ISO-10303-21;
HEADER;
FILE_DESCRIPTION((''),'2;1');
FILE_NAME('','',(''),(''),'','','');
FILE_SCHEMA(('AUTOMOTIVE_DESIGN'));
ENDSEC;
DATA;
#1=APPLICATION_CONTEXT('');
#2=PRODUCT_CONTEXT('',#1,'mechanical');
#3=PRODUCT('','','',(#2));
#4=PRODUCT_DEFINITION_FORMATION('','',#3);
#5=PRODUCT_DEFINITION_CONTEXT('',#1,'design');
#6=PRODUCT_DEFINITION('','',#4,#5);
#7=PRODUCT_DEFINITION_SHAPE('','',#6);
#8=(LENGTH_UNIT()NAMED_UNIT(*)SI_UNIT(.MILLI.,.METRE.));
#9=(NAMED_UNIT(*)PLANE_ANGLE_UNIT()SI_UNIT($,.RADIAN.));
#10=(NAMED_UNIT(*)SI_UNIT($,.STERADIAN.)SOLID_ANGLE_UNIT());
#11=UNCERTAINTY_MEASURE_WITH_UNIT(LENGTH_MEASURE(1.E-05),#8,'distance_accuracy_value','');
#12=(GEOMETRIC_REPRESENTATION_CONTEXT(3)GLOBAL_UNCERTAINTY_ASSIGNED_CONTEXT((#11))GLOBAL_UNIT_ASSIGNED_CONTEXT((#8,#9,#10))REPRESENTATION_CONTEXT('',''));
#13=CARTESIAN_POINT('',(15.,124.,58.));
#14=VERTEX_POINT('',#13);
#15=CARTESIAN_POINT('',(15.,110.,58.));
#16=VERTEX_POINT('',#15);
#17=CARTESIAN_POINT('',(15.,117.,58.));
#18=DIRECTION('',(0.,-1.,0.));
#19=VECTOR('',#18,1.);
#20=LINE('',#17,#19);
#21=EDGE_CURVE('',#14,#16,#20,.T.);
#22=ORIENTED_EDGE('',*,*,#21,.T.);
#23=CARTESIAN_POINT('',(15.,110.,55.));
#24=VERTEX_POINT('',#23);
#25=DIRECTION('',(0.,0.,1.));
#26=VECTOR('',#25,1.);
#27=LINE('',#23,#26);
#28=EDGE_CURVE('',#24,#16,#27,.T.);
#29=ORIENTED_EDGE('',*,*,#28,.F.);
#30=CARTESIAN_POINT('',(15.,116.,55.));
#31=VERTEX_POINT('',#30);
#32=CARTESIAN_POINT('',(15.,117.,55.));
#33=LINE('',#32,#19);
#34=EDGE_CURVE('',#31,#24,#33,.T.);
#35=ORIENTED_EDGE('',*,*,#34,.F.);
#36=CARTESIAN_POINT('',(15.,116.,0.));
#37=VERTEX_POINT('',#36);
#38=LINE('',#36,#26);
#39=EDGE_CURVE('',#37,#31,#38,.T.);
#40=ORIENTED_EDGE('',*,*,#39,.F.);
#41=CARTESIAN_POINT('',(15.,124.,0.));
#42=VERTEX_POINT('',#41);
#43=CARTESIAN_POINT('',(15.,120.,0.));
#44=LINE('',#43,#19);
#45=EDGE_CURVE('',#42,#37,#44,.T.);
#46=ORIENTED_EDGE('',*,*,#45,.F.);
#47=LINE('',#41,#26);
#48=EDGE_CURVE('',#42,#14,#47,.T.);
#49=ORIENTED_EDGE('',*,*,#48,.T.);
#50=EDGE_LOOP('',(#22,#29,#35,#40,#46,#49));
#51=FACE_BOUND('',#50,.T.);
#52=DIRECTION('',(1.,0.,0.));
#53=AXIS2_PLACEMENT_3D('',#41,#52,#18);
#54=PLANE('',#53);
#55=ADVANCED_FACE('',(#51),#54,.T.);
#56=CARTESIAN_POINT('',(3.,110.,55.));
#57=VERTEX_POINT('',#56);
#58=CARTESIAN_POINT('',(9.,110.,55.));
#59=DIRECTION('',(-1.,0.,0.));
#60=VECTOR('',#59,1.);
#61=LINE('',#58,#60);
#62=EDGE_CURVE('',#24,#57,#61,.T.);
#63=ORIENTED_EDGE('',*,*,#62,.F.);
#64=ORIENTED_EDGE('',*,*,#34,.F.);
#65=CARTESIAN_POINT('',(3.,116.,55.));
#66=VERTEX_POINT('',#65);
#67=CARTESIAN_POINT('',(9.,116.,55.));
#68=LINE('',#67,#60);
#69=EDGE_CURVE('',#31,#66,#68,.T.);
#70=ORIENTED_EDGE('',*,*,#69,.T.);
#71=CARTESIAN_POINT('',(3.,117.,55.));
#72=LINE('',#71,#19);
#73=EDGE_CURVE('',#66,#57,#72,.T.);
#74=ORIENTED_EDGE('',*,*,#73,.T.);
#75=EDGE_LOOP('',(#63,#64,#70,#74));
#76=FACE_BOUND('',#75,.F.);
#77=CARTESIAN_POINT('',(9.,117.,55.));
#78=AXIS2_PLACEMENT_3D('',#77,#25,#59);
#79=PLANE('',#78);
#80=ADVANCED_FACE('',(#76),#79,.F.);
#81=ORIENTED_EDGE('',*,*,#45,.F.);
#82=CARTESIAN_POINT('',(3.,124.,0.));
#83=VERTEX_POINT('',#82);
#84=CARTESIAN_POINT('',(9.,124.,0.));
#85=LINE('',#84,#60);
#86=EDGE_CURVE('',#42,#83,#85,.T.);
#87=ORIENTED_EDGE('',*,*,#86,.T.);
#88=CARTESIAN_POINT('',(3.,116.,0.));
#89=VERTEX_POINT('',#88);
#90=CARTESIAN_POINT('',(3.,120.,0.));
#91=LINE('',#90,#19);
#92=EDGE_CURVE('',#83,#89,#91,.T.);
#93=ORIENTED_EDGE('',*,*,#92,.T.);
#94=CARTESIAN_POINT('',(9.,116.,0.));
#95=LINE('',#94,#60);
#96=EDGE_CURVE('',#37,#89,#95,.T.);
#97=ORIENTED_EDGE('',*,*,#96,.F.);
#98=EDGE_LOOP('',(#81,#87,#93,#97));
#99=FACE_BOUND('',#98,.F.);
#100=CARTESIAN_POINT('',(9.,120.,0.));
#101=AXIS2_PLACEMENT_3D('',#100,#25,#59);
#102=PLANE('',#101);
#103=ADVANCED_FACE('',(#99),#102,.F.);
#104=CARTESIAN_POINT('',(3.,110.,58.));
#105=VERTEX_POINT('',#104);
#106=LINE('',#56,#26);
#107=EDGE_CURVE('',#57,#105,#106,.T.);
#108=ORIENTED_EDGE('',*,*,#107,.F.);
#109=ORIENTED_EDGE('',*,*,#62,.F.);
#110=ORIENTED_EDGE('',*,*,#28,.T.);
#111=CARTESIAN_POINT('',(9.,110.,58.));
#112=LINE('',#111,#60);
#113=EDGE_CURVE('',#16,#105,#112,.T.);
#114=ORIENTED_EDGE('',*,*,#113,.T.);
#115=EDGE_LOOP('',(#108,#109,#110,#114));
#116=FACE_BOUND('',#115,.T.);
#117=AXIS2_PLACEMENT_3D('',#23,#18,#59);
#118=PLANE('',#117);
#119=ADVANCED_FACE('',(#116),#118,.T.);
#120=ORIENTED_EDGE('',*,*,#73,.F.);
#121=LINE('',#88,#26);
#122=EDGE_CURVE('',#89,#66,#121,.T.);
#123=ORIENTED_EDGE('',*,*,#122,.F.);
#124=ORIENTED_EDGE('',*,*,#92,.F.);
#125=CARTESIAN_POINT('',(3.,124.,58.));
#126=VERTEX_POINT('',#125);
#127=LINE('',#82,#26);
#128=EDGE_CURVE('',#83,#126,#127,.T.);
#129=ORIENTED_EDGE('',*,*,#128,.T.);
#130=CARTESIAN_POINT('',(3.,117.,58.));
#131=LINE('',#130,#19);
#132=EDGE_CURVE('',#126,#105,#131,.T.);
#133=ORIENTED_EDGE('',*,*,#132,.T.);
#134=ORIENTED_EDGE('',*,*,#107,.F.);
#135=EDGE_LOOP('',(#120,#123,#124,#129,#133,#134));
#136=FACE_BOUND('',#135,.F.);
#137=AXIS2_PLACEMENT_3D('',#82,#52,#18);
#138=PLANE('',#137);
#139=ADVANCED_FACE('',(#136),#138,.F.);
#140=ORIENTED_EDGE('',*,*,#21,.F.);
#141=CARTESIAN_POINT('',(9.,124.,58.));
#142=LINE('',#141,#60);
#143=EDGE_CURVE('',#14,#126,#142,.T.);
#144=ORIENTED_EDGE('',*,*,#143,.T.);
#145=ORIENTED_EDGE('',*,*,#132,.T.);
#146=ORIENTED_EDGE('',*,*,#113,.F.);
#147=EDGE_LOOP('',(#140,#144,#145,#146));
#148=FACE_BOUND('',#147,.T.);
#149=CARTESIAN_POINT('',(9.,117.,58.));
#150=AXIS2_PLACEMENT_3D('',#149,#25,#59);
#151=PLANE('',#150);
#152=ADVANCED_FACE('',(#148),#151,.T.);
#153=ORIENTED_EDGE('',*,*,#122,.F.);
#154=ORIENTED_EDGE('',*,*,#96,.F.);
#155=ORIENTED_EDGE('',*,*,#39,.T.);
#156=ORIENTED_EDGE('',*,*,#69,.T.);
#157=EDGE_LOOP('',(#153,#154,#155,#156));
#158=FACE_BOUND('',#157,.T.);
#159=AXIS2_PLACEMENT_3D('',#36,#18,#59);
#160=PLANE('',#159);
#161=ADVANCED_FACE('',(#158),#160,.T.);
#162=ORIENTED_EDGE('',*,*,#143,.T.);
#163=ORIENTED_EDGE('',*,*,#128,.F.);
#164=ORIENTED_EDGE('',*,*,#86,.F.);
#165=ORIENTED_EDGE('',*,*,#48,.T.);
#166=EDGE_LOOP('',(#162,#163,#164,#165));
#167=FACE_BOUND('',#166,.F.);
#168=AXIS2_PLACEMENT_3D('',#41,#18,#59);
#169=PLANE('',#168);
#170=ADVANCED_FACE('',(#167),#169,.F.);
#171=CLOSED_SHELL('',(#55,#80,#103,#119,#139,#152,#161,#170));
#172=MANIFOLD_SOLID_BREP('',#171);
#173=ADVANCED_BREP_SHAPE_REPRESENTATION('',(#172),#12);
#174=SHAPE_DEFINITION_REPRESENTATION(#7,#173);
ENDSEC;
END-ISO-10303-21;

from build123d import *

# Parameters (mm, degrees)
BOX018_W                  = 12
BOX018_H                  = 8
BOX018_DEPTH              = 55
BOX017_W                  = 12
BOX017_H                  = 14
BOX017_DEPTH              = 3
FUSION010_PLACEMENT_ANGLE = 180


with BuildPart() as sporte003:
    # Box018 → Box018 (new body)
    with BuildSketch(Plane(origin=(47, 17, 0), x_dir=(1, 0, 0), z_dir=(0, 0, 1))):
        with Locations((6, 4)):
            Rectangle(BOX018_W, BOX018_H)
    extrude(amount=BOX018_DEPTH)


with BuildPart() as l3:
    # Box017 → Box017 (new body)
    with BuildSketch(Plane(origin=(47, 17, 55), x_dir=(1, 0, 0), z_dir=(0, 0, 1))):
        with Locations((6, 7)):
            Rectangle(BOX017_W, BOX017_H)
    extrude(amount=BOX017_DEPTH)

    # Fusion010: union sporte003
    add(sporte003.part)


with BuildPart() as l3_1:
    # Fusion010 placement: moved
    add(l3.part.moved(Location((62, 141, 0))).rotate(Axis((62, 141, 0), (0, 0, 1)), FUSION010_PLACEMENT_ANGLE))


solid = l3_1.part
